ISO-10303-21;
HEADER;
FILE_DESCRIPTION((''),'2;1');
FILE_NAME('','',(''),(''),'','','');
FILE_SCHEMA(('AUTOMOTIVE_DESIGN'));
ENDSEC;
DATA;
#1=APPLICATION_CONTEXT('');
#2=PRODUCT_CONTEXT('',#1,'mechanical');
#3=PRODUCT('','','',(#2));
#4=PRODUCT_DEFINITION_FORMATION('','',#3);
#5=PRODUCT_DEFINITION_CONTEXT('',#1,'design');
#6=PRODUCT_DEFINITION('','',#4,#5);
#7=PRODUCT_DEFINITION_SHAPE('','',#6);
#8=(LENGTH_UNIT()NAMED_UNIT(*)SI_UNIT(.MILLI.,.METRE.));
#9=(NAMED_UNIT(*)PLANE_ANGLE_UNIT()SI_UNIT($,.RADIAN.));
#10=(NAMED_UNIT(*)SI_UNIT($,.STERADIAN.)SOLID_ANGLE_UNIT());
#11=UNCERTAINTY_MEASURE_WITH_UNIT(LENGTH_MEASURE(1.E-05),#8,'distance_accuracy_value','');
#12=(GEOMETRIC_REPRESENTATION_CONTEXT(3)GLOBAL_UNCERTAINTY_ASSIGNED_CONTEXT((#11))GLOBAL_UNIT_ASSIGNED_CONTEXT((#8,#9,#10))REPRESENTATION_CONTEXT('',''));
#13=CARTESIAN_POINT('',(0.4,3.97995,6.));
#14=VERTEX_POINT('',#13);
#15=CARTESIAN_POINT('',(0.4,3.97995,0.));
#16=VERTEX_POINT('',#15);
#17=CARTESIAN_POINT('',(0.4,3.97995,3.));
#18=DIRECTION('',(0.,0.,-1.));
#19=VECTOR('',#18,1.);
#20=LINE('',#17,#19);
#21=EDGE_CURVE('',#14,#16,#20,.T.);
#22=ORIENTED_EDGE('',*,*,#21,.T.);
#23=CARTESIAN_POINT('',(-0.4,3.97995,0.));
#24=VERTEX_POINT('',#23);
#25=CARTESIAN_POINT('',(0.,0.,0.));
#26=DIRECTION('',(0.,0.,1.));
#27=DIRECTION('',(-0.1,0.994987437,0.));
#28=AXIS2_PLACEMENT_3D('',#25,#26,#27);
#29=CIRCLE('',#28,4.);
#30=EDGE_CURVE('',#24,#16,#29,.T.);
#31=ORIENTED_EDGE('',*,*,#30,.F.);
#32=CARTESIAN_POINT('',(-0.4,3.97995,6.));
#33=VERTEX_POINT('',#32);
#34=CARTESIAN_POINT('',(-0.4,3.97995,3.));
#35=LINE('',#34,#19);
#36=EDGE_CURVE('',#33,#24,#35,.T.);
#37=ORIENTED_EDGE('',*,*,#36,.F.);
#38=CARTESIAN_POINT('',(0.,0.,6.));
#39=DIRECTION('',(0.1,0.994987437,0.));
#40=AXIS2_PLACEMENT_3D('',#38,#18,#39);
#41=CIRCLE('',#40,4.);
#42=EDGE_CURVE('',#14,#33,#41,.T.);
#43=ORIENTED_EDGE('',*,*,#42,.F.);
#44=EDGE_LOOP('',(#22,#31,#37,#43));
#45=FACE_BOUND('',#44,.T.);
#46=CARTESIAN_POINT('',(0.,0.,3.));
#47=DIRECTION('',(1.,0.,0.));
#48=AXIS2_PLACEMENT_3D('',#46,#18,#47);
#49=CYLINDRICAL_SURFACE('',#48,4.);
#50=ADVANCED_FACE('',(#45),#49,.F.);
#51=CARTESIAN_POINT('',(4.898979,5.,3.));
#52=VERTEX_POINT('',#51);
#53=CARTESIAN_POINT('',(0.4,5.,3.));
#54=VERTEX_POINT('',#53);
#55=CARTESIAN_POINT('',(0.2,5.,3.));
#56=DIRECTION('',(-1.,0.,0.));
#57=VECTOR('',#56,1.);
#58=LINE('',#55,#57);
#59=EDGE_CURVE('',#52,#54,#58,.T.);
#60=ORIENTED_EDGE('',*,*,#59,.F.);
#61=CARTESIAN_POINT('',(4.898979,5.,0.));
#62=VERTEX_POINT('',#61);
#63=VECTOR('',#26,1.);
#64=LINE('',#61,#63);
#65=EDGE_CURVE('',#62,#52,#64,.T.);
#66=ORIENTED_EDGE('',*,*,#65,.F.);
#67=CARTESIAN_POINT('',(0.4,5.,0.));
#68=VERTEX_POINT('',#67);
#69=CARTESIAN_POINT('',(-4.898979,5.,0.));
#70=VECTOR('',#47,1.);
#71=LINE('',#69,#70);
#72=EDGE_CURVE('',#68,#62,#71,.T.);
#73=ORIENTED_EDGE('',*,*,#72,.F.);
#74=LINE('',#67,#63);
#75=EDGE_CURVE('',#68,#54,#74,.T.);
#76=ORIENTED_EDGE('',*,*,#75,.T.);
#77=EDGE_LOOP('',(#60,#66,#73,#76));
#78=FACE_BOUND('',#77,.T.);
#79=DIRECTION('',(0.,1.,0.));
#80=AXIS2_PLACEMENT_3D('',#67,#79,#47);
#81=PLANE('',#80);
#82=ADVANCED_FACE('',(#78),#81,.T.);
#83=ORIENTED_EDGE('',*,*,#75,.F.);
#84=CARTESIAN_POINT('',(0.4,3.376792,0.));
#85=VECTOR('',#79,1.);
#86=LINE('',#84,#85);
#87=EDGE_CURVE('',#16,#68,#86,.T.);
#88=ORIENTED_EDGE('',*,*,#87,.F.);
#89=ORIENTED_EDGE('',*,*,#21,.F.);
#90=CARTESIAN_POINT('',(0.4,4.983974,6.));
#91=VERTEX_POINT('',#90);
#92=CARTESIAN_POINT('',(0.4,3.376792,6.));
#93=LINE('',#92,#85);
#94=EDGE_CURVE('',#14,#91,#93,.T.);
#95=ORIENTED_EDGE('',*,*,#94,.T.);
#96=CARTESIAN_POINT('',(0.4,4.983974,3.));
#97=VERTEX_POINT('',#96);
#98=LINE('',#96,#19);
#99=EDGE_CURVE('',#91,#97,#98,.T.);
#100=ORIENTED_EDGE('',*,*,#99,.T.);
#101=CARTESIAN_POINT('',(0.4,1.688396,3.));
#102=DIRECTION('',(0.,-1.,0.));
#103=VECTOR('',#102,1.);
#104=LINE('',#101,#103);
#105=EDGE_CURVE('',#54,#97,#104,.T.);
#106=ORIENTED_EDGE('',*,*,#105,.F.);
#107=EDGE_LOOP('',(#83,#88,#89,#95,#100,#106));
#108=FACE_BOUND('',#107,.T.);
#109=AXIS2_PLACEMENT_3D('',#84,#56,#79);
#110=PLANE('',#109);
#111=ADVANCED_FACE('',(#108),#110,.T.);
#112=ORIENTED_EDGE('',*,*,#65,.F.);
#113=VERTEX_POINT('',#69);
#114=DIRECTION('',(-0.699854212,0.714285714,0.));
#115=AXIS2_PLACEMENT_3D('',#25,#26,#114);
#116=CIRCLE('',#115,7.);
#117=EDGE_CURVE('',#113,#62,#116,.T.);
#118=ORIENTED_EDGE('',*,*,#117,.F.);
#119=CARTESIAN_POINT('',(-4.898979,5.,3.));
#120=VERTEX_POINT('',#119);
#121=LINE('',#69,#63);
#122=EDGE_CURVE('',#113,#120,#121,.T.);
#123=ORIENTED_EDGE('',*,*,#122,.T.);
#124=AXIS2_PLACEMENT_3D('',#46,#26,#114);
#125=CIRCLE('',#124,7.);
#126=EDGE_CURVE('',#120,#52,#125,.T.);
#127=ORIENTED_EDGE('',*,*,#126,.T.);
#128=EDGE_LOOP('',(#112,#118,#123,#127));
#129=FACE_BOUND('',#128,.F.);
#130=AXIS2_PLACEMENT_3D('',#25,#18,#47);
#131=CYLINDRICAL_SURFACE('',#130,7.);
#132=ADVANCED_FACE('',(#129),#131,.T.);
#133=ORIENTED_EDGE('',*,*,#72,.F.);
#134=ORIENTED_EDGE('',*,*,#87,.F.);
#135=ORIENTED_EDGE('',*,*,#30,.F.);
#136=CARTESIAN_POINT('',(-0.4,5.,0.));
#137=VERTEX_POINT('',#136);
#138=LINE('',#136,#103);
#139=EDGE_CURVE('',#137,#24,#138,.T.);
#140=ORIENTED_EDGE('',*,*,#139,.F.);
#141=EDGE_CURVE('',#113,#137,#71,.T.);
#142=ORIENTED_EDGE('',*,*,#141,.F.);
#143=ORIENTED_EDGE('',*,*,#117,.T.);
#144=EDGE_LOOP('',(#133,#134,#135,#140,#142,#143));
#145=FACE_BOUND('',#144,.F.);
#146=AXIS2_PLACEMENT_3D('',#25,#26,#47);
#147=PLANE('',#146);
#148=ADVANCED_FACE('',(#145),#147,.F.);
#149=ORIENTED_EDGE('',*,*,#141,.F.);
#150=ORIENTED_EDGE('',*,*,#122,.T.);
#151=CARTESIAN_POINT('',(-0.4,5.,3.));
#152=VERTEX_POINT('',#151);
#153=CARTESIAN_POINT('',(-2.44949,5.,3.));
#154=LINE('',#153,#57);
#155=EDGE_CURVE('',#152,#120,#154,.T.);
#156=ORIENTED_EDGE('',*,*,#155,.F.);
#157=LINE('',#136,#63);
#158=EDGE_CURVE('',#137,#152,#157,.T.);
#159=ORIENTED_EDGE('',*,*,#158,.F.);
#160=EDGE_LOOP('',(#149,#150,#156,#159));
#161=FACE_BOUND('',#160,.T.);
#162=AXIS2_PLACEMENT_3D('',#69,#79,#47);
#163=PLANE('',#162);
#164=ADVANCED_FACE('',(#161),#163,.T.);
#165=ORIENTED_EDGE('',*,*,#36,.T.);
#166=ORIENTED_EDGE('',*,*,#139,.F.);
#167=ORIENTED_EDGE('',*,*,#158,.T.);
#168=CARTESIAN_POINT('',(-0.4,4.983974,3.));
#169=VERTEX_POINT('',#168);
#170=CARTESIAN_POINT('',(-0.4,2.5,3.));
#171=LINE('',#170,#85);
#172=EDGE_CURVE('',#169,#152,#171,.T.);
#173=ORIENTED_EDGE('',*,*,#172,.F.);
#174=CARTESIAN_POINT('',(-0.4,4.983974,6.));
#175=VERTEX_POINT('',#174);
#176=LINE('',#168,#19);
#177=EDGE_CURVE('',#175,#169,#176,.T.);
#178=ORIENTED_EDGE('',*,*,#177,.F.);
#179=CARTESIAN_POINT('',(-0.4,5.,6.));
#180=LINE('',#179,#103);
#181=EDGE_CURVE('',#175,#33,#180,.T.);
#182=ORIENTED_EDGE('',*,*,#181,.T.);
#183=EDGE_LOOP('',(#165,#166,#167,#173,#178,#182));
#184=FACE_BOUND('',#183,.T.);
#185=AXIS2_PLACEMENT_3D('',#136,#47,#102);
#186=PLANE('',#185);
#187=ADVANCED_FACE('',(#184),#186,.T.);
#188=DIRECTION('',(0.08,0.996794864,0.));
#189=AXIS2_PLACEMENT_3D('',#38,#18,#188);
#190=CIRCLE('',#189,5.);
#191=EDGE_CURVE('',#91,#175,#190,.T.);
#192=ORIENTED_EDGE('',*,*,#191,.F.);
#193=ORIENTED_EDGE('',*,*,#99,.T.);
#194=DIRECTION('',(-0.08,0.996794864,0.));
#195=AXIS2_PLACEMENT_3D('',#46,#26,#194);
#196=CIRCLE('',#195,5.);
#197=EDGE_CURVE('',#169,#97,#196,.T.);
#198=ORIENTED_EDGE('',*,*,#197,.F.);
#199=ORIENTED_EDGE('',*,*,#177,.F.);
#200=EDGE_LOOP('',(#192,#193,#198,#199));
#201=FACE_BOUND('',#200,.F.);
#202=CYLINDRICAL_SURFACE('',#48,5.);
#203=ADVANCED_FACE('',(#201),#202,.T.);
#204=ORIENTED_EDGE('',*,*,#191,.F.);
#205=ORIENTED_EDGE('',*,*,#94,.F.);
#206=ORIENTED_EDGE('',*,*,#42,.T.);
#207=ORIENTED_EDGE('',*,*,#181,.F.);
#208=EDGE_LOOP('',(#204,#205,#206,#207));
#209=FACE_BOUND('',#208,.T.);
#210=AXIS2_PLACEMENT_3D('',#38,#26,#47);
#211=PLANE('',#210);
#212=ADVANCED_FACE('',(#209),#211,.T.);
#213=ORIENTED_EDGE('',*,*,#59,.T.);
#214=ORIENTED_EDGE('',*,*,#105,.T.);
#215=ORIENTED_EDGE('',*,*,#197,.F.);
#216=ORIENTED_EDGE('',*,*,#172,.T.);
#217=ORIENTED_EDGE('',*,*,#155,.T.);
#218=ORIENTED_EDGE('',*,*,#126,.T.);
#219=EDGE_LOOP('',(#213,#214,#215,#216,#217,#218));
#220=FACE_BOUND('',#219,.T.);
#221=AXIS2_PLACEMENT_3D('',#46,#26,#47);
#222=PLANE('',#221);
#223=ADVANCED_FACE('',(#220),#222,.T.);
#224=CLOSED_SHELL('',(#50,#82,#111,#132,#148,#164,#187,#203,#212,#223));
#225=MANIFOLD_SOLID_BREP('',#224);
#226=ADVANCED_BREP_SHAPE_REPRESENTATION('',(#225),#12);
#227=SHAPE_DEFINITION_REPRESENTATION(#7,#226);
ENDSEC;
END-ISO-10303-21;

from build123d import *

# Parameters (mm, degrees)
F0_R     = 7
F0_R_2   = 4
F1_DEPTH = 3
F2_R     = 5
F2_R_2   = 4
F3_DEPTH = 3
F5_DEPTH = 6


with BuildPart() as f1:
    # F0 (on Top) → F1 (new body)
    with BuildSketch(Plane.XY):
        Circle(F0_R)
        Circle(F0_R_2, mode=Mode.SUBTRACT)
    extrude(amount=F1_DEPTH)

    # F2 (on face) → F3 (join)
    with BuildSketch(Plane.XY.offset(3)):
        Circle(F2_R)
        Circle(F2_R_2, mode=Mode.SUBTRACT)
    extrude(amount=F3_DEPTH)

    # F4 (on Top) → F5 (cut, through all)
    with BuildSketch(Plane.XY):
        with BuildLine():
            Line((0.4, 5), (4.8989794856, 5))
            ThreePointArc((4.8989794856, 5), (0, 7), (-4.8989794856, 5))
            Line((-4.8989794856, 5), (-0.4, 5))
            Line((-0.4, 5), (0, 5))
            Line((0, 5), (0.4, 5))
        make_face()
        Polygon((0.4, 3.376792185), (0.4, 5), (0, 5), (-0.4, 5), (-0.4, 3.376792185), align=None)
    extrude(amount=F5_DEPTH, mode=Mode.SUBTRACT)


solid = f1.part
